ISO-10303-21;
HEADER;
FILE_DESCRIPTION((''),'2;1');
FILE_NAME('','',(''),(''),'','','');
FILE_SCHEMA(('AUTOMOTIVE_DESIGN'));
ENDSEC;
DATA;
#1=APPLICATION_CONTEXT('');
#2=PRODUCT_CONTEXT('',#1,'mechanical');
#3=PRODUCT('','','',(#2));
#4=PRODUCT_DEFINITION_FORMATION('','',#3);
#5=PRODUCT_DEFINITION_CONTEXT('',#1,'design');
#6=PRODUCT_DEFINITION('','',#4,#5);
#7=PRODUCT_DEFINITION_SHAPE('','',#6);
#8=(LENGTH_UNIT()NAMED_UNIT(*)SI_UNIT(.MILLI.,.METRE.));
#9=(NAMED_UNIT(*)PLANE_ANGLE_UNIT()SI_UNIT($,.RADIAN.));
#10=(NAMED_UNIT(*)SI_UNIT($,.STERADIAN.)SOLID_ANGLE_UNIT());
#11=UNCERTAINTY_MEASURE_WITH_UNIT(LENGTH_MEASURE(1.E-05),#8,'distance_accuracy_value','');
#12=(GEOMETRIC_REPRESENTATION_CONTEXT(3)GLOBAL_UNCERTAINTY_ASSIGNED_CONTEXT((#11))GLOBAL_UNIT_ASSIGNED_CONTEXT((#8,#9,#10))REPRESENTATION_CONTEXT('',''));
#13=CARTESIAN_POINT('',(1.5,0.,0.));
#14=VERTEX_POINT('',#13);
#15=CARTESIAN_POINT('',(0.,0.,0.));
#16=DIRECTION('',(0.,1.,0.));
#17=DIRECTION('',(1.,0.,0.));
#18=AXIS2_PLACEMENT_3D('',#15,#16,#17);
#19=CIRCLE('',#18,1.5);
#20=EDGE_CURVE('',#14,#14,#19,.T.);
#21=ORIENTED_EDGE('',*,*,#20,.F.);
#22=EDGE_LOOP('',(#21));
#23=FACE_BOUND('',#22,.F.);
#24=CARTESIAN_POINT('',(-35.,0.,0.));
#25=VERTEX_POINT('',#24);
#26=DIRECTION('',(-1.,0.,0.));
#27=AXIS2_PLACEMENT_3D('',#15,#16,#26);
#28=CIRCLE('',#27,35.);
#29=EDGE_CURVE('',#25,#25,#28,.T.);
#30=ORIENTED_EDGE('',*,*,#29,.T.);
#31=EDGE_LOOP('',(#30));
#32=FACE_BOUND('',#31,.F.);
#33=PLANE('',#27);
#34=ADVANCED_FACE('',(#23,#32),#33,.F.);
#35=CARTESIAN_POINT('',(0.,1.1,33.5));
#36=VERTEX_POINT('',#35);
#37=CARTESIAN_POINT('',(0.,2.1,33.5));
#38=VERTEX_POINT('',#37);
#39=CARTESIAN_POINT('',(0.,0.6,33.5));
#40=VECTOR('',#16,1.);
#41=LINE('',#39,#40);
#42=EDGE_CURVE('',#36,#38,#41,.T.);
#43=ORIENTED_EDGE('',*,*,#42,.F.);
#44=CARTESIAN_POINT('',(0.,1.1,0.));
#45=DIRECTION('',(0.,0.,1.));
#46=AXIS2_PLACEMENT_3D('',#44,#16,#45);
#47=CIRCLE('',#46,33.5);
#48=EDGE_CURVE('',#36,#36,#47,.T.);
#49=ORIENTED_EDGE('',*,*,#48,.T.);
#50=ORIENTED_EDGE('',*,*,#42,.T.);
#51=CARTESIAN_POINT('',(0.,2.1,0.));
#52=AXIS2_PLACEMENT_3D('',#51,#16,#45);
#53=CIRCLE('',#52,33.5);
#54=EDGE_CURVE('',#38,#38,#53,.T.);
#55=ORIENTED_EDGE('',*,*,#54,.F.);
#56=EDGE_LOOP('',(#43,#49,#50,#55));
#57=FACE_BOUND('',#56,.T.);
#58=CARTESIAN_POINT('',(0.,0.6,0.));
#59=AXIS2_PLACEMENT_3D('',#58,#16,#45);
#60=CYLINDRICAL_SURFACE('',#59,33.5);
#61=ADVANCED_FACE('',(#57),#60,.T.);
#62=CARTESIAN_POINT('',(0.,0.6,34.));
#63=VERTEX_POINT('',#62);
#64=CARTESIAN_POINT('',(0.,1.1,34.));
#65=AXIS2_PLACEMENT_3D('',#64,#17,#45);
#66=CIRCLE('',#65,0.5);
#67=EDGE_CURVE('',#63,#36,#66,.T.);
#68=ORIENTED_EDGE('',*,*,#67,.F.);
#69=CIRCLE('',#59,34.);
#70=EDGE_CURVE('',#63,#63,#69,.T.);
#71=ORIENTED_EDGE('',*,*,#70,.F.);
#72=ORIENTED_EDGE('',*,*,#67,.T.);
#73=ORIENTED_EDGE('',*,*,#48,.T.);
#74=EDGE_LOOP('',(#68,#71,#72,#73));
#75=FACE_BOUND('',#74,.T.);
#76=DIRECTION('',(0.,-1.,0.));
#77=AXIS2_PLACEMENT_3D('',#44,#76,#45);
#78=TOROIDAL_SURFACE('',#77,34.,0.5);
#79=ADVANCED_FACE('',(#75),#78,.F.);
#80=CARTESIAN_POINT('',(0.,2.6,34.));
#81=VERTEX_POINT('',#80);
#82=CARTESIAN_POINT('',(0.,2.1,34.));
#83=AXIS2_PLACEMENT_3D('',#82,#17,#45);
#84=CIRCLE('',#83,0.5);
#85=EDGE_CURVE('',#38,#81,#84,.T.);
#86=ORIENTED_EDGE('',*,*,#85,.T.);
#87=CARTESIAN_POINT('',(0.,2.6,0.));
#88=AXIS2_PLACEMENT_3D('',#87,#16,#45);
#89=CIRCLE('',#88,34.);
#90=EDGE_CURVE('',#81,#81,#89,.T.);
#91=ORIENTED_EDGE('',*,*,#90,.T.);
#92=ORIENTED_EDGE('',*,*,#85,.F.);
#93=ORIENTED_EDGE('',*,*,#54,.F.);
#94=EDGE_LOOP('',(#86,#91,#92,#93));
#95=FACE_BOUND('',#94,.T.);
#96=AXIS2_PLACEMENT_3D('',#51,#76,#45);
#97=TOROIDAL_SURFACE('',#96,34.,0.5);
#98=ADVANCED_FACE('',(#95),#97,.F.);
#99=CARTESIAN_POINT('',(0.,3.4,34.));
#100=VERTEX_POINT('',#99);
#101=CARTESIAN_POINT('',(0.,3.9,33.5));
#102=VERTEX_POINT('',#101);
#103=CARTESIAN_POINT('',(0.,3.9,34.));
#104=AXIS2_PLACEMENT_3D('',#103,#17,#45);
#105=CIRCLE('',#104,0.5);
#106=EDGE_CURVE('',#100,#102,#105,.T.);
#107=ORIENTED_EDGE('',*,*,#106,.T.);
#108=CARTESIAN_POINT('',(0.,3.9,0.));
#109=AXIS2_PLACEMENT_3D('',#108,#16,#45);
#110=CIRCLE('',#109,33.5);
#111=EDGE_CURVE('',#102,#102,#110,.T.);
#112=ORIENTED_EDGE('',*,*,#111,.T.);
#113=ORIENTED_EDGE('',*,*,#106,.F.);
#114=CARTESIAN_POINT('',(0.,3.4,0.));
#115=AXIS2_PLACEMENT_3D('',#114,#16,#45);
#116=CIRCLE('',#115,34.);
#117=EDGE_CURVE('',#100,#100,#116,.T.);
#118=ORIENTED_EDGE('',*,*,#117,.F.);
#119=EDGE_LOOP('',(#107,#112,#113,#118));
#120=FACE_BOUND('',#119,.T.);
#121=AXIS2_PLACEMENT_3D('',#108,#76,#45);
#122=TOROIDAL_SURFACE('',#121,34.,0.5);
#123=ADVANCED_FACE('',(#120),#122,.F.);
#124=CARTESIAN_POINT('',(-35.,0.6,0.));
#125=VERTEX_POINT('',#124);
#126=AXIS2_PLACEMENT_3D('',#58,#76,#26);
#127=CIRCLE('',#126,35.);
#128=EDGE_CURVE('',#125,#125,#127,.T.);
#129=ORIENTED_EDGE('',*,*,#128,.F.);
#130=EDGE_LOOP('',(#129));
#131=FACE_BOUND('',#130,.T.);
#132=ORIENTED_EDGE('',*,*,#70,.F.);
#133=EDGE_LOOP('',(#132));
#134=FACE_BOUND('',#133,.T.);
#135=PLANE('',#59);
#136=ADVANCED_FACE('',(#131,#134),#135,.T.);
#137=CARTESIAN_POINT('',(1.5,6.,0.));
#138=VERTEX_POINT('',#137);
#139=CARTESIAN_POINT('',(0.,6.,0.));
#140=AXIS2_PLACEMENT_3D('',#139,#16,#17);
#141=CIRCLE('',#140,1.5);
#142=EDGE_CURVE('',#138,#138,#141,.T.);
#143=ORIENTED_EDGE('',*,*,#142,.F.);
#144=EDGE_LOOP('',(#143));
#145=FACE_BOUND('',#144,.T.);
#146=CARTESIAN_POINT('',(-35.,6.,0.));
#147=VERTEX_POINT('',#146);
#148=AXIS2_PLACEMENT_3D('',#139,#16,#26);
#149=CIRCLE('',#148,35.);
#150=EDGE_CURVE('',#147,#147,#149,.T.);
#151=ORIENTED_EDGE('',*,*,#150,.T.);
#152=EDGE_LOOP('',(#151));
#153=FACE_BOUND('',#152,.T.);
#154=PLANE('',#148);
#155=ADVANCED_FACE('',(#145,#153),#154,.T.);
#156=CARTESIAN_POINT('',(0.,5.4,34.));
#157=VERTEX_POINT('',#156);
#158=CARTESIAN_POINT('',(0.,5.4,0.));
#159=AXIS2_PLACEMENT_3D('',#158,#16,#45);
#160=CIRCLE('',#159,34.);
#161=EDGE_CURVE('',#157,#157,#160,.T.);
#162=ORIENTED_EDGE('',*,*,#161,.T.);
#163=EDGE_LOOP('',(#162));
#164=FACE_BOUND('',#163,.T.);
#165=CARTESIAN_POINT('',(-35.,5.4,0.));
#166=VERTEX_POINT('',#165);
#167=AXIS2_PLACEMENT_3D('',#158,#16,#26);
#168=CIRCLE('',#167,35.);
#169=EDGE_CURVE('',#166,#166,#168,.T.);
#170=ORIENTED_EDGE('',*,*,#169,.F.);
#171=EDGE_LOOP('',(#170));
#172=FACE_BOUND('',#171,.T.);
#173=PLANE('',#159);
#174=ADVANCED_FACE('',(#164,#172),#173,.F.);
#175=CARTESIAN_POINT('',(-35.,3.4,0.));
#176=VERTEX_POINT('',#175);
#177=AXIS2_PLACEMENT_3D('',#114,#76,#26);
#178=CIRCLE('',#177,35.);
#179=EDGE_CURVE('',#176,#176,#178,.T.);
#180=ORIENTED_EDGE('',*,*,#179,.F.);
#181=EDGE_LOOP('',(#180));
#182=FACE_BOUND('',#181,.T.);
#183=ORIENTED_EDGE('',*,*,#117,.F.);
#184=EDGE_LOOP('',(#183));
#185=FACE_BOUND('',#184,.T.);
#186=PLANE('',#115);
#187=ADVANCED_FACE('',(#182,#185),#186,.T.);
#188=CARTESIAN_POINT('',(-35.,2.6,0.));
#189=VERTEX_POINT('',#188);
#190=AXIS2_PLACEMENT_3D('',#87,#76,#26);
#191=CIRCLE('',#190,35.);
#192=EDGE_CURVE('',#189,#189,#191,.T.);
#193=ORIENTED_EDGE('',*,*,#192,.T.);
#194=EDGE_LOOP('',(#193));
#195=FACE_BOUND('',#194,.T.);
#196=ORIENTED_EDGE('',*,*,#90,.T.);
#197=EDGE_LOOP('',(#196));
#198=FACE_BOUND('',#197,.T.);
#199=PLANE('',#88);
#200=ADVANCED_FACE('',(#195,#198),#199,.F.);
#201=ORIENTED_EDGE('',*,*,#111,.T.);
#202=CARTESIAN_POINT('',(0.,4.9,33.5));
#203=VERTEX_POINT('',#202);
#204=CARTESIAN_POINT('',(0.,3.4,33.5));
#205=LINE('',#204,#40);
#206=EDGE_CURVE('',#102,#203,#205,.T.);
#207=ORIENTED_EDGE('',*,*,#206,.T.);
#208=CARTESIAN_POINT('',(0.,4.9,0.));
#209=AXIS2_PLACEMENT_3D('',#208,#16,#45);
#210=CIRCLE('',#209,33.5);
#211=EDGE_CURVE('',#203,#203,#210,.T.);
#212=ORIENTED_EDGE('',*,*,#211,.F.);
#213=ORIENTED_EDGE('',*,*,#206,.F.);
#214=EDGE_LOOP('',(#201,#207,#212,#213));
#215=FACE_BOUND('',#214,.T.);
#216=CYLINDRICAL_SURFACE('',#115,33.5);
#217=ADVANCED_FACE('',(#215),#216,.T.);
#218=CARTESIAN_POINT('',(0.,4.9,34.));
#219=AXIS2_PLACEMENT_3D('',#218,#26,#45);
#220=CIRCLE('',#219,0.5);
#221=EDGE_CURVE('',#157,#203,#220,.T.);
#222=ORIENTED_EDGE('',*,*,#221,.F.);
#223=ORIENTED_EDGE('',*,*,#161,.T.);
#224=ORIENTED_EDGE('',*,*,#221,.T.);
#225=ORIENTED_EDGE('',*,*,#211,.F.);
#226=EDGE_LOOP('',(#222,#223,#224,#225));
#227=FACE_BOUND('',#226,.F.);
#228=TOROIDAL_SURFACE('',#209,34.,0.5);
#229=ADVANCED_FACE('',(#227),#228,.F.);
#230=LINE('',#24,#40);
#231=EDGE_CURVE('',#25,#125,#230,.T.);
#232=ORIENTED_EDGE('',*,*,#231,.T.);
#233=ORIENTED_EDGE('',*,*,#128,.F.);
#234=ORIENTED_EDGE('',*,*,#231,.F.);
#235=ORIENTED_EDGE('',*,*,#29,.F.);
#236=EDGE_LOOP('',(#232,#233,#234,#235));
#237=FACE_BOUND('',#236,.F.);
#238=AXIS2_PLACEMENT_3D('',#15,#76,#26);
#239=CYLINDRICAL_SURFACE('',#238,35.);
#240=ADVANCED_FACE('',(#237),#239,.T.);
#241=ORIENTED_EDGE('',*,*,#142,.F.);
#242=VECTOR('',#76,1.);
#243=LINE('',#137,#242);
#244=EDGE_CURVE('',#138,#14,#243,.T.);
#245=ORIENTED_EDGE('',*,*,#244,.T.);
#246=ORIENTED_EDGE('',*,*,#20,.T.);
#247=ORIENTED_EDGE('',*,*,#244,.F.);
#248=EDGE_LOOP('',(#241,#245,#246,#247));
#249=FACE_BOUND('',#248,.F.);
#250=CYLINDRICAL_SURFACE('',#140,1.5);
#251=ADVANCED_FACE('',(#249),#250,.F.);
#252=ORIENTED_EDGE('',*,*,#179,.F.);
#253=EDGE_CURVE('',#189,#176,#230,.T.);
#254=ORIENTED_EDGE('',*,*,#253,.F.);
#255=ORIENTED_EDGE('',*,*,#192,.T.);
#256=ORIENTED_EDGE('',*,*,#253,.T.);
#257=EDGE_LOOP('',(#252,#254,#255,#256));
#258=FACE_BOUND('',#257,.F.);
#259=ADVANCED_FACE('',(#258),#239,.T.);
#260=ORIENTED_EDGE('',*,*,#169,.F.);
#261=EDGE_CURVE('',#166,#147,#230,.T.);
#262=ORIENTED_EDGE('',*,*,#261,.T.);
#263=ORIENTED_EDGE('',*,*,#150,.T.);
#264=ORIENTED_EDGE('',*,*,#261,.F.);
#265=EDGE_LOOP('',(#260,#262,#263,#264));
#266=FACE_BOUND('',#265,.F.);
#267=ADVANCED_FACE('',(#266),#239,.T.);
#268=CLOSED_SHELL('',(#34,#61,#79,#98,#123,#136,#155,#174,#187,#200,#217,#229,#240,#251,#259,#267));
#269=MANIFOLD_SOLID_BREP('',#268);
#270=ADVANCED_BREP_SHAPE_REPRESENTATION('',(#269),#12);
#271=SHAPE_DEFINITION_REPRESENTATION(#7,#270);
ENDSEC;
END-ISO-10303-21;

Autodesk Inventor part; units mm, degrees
ref_plane "YZ Plane" through (0, 0, 0) normal (1, 0, 0) x (0, 1, 0)
ref_plane "XZ Plane" through (0, 0, 0) normal (0, 1, 0) x (-1, 0, 0)
ref_plane "XY Plane" through (0, 0, 0) normal (0, 0, 1) x (1, 0, 0)
sketch "Sketch1" plane through (0, 0, 0) normal (0, 1, 0) x (-1, 0, 0)
  circle A0 centre (0, 0) radius 35
  dimension "d0" = 70
extrude "Extrusion1" add sketch "Sketch1" along normal blind 6
ref_plane "Work Plane1" through (0, 4.5, 0) normal (0, 1, 0) x (1, 0, 0)
ref_plane "Work Plane2" through (0, 1.5, 0) normal (0, -1, 0) x (1, 0, 0)
sketch "Sketch2" plane through (0, 6, 0) normal (0, 1, 0) x (1, 0, 0)
  circle A0 centre (0, 0) radius 1.5
  dimension "d5" = 3
extrude "Extrusion2" cut sketch "Sketch2" against normal blind 6
sketch "Sketch3" plane through (0, 0, 0) normal (1, 0, 0) x (0, 1, 0)
  line L0 (0, 35) -> (6, 35) projected
  line L1 (6, 35) -> (4.4, 35)
  line L2 (4.4, 35) -> (4.4, 34.5)
  line L3 (5.4, 33.5) -> (5.4, 35.5)
  line L4 (5.4, 35.5) -> (3.4, 35.5)
  line L5 (3.4, 35.5) -> (3.4, 33.5)
  line L6 (3.4, 33.5) -> (5.4, 33.5)
  line L7 (5.4, 33.5) -> (3.4, 35.5) construction
  line L8 (5.4, 35.5) -> (3.4, 33.5) construction
  line L9 (0, -35) -> (0, 35) projected
  line L10 (0, 35) -> (1.6, 35)
  line L11 (1.6, 35) -> (1.6, 34.5)
  line L12 (2.6, 33.5) -> (2.6, 35.5)
  line L13 (2.6, 35.5) -> (0.6, 35.5)
  line L14 (0.6, 35.5) -> (0.6, 33.5)
  line L15 (0.6, 33.5) -> (2.6, 33.5)
  line L16 (2.6, 33.5) -> (0.6, 35.5) construction
  line L17 (2.6, 35.5) -> (0.6, 33.5) construction
  line L18 (0, 0) -> (10, 0)
  point P0 (2.6, 35)
  point P1 (0.6, 35)
  point P2 (5.4, 35)
  point P3 (3.4, 35)
  dimension "d8" = 1.6
  dimension "d9" = 0.5
  dimension "d10" = 2
  dimension "d11" = 2
  dimension "d12" = 1.6
  dimension "d13" = 0.5
  dimension "d14" = 2
  dimension "d15" = 2
  dimension "d16" = 10
revolve "Revolution1" cut sketch "Sketch3" angle 360 about axis through (0, 0, 0) along (0, 1, 0) contours L0 L3 L6 L5 | L0 L12 L15 L14
fillet "Fillet1" radius 0.5 4 edges at (0, 3.4, -33.5) (0, 5.4, -33.5) (0, 2.6, -33.5) (0, 0.6, -33.5)
properties part number "roller_2"
